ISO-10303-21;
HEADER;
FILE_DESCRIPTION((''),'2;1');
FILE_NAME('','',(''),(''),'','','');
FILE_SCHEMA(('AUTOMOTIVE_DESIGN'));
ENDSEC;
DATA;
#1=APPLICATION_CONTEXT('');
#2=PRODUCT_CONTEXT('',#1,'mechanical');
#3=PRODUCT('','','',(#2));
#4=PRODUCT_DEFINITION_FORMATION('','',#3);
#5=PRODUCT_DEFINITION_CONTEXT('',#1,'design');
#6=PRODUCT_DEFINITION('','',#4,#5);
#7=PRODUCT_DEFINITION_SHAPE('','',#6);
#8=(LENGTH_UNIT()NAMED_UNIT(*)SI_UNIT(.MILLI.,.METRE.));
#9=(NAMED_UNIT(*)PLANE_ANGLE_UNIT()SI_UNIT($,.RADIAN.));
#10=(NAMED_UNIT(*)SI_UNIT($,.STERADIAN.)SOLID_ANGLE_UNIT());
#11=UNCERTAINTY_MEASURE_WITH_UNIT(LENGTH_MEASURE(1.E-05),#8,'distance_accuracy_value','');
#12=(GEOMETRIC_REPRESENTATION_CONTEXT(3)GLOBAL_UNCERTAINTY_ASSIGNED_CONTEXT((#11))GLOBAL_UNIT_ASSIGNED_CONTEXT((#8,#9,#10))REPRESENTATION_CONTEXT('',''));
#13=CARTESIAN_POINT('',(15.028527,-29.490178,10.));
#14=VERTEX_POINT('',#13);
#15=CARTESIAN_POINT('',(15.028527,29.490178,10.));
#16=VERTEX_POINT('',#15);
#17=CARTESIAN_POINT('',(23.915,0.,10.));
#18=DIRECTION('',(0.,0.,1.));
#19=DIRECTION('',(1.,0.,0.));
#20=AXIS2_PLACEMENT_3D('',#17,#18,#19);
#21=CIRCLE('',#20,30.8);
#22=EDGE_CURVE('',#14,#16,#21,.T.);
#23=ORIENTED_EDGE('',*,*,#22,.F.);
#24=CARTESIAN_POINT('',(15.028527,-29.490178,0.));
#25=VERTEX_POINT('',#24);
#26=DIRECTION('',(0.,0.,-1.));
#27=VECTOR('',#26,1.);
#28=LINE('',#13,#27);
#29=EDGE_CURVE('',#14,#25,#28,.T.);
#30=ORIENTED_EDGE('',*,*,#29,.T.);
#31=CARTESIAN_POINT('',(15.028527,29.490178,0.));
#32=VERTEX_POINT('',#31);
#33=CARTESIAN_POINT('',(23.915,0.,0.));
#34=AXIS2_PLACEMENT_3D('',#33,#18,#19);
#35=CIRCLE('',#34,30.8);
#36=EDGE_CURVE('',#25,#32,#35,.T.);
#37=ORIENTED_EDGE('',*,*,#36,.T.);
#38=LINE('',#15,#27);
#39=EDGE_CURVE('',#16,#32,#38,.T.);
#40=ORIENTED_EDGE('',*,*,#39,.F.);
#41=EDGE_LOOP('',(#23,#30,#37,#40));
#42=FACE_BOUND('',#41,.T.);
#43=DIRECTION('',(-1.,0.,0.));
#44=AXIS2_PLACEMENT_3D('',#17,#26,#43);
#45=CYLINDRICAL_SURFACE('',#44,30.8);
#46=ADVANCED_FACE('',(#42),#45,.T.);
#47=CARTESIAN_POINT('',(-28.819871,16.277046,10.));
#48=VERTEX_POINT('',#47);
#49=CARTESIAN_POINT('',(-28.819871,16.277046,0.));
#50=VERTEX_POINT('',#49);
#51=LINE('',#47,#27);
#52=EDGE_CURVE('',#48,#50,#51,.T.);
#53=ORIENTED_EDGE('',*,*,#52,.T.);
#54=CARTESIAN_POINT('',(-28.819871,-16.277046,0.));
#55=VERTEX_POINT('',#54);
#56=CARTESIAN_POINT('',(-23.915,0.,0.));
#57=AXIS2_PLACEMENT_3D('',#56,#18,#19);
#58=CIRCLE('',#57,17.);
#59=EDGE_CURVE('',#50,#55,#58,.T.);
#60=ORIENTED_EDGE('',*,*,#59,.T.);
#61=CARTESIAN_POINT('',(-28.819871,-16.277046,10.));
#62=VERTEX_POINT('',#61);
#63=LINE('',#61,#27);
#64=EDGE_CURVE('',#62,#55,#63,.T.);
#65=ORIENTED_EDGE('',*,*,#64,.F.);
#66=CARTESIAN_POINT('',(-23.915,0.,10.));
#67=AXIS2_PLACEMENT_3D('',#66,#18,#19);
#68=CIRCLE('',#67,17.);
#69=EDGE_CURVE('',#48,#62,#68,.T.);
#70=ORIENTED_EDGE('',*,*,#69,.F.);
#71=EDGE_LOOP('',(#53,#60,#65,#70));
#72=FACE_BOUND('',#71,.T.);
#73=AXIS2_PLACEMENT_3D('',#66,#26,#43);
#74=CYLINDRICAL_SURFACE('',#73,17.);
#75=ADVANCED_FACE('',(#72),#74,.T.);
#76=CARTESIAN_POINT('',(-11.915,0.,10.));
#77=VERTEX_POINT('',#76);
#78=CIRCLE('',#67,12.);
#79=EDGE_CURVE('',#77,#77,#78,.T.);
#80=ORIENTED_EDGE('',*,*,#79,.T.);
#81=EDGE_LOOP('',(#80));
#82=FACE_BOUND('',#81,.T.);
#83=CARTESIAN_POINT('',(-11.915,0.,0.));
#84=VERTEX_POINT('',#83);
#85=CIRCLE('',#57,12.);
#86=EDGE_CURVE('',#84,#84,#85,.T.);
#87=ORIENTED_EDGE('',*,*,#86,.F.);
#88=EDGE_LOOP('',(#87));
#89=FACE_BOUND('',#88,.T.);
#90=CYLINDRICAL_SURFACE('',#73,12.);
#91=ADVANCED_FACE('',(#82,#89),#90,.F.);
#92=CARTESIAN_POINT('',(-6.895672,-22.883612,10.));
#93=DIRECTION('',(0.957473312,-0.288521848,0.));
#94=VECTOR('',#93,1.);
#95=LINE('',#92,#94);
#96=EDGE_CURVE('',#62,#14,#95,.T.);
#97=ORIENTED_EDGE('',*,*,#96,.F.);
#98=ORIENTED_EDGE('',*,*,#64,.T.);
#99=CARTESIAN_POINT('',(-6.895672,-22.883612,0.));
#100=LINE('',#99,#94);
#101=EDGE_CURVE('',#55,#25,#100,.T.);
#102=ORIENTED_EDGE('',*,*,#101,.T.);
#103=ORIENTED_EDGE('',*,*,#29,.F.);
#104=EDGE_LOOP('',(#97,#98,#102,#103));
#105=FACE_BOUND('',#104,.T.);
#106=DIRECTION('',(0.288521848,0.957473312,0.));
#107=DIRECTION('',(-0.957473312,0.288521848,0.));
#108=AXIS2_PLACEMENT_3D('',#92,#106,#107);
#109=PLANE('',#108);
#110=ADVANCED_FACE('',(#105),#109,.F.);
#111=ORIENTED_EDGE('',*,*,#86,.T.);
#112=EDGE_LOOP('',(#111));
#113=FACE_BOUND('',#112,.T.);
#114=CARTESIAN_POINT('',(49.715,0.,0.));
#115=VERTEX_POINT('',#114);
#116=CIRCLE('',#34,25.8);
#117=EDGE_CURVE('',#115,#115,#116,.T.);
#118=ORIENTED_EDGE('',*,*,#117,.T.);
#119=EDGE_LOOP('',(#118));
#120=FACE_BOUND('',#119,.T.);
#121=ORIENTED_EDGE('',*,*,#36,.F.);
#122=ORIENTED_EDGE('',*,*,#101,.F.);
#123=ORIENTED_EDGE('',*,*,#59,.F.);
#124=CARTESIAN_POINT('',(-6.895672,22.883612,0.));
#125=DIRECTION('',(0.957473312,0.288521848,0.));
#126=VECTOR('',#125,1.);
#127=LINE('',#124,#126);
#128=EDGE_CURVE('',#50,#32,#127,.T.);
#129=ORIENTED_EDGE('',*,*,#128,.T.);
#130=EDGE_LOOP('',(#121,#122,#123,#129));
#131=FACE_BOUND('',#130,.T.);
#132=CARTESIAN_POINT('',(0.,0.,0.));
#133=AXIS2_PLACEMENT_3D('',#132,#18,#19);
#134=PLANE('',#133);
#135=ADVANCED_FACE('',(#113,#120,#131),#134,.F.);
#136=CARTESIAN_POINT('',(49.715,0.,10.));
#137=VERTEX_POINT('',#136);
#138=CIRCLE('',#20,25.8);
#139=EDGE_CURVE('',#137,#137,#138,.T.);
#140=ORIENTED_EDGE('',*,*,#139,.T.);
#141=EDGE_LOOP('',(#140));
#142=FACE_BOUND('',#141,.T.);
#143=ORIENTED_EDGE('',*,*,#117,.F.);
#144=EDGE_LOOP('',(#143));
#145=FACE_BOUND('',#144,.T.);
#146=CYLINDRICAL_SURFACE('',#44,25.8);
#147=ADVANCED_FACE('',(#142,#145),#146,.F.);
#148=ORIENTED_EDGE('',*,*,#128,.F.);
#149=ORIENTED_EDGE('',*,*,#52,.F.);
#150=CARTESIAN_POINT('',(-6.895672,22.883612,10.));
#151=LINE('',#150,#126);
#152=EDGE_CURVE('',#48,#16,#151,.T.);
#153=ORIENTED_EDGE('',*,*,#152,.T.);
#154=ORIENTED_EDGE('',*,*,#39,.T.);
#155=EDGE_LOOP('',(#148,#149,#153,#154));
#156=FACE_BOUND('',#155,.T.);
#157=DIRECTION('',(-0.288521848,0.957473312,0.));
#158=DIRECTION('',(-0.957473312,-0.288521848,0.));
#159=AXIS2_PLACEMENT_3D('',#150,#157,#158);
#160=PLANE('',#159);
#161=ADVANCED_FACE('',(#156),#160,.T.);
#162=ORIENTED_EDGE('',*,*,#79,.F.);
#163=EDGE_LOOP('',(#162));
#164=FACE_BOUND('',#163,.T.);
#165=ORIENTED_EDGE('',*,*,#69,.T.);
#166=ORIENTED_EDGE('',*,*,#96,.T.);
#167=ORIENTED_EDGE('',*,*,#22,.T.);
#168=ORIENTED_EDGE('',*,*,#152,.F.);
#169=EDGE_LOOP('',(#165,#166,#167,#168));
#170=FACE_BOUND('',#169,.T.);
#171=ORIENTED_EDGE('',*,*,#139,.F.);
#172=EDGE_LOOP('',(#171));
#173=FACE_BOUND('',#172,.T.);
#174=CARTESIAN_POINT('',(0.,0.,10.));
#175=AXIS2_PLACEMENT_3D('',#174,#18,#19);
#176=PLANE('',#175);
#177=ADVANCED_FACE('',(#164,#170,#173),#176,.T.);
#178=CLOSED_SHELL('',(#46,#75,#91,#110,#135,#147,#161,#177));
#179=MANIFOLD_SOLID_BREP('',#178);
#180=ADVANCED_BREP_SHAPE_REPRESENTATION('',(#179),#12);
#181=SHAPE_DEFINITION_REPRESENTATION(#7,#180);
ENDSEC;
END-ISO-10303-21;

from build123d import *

# Parameters (mm, degrees)
ESBO_O2_R                = 25.8
ESBO_O2_R_2              = 12
RESSALTO_EXTRUS_O1_DEPTH = 10


with BuildPart() as part:
    # Esboço2 → Ressalto-extrusão1 (new body)
    with BuildSketch(Plane.XY):
        with BuildLine():
            Line((-28.81987142, 16.277046303), (15.028527075, 29.490178008))
            ThreePointArc((15.028527075, 29.490178008), (54.715, 0), (15.028527075, -29.490178008))
            Line((15.028527075, -29.490178008), (-28.81987142, -16.277046303))
            ThreePointArc((-28.81987142, -16.277046303), (-40.915, 0), (-28.81987142, 16.277046303))
        make_face()
        with Locations((23.915, 0)):
            Circle(ESBO_O2_R, mode=Mode.SUBTRACT)
        with Locations((-23.915, 0)):
            Circle(ESBO_O2_R_2, mode=Mode.SUBTRACT)
    extrude(amount=RESSALTO_EXTRUS_O1_DEPTH)


solid = part.part
